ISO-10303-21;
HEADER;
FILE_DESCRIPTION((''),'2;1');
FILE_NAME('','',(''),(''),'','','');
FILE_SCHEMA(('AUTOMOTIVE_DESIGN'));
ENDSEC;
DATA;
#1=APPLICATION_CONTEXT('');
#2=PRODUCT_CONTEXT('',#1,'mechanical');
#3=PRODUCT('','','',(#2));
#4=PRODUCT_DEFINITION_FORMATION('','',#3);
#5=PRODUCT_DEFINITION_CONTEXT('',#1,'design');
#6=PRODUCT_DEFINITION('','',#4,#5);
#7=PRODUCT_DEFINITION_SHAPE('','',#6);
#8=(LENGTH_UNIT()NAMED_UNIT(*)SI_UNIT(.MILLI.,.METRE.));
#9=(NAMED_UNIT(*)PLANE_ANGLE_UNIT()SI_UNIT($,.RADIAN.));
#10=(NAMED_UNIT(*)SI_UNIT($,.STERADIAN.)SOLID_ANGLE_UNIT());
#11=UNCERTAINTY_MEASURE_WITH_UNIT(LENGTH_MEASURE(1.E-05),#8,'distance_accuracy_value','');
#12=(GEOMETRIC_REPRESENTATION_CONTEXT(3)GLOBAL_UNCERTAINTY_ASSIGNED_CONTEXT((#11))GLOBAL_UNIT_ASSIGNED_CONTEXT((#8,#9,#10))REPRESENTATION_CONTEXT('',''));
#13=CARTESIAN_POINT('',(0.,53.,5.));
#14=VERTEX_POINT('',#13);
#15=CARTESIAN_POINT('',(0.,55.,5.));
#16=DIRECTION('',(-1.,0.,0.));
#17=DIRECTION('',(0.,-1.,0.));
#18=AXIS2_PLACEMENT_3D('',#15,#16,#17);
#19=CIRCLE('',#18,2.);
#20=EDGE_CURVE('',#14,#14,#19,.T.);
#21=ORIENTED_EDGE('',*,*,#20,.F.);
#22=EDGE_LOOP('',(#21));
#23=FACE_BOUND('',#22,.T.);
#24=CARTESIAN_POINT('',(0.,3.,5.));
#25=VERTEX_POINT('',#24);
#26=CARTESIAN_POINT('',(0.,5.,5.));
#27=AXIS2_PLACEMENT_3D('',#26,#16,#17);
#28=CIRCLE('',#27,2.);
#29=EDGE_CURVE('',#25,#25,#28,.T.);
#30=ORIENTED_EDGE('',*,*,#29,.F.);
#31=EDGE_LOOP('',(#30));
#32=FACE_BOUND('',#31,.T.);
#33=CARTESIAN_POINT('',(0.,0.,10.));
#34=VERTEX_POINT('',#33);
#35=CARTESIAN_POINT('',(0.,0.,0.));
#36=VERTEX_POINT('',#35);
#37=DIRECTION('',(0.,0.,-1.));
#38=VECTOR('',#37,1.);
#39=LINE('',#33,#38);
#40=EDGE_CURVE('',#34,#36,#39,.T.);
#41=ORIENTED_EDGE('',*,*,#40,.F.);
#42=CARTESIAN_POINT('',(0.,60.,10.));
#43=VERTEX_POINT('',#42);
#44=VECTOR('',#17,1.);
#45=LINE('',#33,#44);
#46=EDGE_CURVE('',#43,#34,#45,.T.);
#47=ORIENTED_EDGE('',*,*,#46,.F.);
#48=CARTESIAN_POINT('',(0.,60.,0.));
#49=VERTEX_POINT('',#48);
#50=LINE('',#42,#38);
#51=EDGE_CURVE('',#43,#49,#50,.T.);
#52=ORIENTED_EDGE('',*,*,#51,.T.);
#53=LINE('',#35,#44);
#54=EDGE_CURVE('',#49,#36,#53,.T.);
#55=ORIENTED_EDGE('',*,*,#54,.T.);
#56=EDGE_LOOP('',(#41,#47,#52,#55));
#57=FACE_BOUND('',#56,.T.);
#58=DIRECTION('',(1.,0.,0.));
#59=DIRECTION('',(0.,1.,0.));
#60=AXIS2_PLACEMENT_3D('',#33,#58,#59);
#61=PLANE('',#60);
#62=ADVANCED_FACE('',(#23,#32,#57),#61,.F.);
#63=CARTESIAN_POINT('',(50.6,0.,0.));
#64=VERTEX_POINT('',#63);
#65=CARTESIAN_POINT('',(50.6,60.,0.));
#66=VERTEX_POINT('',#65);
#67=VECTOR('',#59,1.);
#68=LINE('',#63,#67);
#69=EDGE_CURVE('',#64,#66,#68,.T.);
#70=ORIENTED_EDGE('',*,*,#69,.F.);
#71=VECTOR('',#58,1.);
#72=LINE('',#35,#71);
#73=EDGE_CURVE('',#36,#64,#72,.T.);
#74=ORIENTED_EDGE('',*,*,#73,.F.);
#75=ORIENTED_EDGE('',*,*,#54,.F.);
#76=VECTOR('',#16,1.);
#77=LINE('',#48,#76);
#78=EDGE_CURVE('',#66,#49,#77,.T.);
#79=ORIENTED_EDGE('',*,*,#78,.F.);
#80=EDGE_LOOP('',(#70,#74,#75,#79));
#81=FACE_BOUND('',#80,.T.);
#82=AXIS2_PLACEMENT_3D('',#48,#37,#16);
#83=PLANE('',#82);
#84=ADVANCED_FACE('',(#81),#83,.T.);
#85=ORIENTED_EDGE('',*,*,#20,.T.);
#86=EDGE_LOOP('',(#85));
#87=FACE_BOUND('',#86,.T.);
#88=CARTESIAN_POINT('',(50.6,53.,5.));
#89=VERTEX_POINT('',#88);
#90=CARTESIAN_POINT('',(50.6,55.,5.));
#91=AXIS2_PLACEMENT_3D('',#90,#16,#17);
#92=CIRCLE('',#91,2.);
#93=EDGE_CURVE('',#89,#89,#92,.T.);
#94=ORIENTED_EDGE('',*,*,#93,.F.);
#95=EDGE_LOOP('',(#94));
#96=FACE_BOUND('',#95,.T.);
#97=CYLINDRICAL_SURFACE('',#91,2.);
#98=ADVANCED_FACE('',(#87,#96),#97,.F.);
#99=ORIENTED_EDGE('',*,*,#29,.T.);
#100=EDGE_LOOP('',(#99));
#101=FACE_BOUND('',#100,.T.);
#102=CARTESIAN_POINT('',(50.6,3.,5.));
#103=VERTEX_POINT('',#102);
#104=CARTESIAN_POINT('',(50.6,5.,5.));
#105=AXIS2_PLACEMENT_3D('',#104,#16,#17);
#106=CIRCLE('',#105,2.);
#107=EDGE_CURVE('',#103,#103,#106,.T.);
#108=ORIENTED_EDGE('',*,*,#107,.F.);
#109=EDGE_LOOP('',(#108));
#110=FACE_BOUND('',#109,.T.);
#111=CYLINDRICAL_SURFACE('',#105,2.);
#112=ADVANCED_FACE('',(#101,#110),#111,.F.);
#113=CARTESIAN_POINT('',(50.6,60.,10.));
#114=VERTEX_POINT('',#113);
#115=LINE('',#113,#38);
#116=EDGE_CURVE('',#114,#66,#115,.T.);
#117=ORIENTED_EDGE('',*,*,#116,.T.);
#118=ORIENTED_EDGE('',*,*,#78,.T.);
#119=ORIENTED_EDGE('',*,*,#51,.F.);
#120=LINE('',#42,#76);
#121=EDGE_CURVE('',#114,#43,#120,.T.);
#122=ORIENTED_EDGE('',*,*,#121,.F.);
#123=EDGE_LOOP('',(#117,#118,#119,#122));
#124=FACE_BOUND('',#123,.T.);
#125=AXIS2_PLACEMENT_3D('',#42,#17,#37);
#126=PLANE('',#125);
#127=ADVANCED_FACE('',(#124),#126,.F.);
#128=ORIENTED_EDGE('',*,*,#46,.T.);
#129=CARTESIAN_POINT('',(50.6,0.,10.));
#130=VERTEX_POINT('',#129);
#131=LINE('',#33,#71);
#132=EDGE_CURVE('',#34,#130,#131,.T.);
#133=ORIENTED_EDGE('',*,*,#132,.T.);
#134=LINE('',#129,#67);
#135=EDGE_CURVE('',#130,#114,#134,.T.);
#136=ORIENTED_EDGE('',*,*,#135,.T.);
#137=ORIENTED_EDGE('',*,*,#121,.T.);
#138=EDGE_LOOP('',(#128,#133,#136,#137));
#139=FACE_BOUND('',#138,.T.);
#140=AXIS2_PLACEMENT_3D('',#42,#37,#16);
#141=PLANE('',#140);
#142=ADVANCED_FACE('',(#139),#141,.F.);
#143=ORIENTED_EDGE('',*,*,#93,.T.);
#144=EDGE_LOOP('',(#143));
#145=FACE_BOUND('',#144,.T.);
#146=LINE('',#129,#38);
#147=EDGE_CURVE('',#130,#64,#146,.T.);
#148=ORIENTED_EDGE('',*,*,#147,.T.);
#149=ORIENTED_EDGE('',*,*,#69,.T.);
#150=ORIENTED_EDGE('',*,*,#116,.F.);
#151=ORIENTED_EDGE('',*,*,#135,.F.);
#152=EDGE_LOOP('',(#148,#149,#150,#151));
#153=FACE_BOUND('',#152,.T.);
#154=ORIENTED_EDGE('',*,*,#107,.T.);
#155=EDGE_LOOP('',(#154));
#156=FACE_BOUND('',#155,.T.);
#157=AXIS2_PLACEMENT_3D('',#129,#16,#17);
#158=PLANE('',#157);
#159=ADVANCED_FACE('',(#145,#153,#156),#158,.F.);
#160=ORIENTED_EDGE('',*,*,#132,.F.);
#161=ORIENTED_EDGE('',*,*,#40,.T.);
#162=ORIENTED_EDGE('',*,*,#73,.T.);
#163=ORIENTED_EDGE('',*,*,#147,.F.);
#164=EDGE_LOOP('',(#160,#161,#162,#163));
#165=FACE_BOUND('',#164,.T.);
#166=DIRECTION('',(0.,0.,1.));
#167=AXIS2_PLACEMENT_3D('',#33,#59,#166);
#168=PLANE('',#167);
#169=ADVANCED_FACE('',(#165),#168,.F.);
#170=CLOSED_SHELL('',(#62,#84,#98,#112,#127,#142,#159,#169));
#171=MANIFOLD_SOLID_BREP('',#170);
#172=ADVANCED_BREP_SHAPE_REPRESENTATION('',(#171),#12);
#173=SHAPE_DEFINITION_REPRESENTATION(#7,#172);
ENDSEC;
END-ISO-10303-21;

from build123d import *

# Parameters (mm, degrees)
SKETCH1_W          = 50.6
SKETCH1_H          = 60
EXTRUDE1_DEPTH     = 10
SKETCH2_R          = 2
CUT_EXTRUDE1_DEPTH = 50.6


with BuildPart() as part:
    # Sketch1 → Extrude1 (new body)
    with BuildSketch(Plane.XY):
        with Locations((25.3, 30)):
            Rectangle(SKETCH1_W, SKETCH1_H)
    extrude(amount=EXTRUDE1_DEPTH)

    # Sketch2 → Cut-Extrude1 (cut)
    with BuildSketch(Plane.ZY):
        with Locations((5, 55)):
            Circle(SKETCH2_R)
        with Locations((5, 5)):
            Circle(SKETCH2_R)
    extrude(amount=-CUT_EXTRUDE1_DEPTH, mode=Mode.SUBTRACT)


solid = part.part
